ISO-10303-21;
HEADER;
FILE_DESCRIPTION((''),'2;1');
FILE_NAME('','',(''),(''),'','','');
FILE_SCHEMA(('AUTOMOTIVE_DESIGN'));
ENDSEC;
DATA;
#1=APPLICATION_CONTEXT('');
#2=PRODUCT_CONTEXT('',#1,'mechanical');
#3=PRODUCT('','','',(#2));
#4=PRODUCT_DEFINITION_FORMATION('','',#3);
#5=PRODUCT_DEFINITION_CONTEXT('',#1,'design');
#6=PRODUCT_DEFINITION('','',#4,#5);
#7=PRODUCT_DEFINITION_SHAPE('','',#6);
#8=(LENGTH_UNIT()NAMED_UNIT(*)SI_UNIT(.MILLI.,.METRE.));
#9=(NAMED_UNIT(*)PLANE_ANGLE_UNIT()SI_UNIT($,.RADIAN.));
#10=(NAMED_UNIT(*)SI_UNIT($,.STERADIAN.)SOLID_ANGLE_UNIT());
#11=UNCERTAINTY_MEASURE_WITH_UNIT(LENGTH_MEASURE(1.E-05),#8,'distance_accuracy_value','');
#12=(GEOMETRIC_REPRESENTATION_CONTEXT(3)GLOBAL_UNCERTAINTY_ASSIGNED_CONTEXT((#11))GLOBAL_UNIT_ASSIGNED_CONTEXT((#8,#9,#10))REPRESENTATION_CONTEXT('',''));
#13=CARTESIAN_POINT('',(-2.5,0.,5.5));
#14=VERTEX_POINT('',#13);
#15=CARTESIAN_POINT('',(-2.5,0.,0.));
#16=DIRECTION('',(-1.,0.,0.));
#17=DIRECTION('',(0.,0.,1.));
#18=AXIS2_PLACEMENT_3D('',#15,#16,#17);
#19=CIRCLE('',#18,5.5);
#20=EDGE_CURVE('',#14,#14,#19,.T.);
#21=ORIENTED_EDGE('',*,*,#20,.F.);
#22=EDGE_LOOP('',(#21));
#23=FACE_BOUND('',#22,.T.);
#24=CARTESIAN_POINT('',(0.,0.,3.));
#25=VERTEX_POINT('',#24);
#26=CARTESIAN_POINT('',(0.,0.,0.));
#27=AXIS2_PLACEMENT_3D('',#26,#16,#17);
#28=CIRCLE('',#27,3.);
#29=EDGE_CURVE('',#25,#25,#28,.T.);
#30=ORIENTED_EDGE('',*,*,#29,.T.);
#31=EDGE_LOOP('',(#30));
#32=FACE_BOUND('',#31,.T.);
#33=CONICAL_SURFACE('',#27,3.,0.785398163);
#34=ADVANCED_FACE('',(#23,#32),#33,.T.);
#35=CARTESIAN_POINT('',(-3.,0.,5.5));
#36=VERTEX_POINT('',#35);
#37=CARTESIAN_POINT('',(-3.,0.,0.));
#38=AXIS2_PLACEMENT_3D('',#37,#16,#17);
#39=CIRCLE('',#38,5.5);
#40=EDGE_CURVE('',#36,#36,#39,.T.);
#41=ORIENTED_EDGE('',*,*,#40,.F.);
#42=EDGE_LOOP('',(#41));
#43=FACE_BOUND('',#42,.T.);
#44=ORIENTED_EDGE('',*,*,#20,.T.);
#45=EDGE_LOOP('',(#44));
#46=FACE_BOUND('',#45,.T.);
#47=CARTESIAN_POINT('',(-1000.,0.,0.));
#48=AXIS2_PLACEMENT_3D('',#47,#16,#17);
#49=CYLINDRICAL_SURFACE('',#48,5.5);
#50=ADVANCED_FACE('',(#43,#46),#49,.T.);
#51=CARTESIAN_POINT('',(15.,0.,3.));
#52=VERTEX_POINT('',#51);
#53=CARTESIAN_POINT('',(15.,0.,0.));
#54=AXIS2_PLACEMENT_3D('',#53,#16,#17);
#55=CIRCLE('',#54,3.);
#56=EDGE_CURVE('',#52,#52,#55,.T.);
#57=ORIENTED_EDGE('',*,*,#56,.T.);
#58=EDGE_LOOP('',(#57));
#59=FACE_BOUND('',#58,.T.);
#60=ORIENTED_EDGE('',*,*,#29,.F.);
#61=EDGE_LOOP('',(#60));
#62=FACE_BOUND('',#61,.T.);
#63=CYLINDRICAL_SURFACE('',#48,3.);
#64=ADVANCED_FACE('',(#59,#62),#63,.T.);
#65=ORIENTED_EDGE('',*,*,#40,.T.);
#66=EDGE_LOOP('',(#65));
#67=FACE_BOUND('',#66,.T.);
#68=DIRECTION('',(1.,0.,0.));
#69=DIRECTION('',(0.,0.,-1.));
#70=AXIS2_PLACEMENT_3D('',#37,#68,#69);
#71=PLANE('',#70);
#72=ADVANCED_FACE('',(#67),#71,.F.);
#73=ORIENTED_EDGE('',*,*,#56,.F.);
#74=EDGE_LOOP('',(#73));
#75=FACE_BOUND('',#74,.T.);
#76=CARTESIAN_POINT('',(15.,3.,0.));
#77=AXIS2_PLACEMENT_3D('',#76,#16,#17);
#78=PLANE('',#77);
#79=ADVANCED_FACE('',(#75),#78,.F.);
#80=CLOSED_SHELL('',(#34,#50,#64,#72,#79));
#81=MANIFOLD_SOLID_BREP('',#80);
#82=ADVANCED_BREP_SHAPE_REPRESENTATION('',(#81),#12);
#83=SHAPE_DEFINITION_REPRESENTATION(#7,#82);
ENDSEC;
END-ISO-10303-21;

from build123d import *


with BuildPart() as part:
    # Эскиз1 → Повернуть1 (revolve)
    with BuildSketch(Plane.XY):
        Polygon((-3, 0), (-3, 5.5), (-2.5, 5.5), (0, 3), (15, 3), (15, 0), align=None)
    revolve(axis=Axis((-1000, 0, 0), (1, 0, 0)))


solid = part.part
